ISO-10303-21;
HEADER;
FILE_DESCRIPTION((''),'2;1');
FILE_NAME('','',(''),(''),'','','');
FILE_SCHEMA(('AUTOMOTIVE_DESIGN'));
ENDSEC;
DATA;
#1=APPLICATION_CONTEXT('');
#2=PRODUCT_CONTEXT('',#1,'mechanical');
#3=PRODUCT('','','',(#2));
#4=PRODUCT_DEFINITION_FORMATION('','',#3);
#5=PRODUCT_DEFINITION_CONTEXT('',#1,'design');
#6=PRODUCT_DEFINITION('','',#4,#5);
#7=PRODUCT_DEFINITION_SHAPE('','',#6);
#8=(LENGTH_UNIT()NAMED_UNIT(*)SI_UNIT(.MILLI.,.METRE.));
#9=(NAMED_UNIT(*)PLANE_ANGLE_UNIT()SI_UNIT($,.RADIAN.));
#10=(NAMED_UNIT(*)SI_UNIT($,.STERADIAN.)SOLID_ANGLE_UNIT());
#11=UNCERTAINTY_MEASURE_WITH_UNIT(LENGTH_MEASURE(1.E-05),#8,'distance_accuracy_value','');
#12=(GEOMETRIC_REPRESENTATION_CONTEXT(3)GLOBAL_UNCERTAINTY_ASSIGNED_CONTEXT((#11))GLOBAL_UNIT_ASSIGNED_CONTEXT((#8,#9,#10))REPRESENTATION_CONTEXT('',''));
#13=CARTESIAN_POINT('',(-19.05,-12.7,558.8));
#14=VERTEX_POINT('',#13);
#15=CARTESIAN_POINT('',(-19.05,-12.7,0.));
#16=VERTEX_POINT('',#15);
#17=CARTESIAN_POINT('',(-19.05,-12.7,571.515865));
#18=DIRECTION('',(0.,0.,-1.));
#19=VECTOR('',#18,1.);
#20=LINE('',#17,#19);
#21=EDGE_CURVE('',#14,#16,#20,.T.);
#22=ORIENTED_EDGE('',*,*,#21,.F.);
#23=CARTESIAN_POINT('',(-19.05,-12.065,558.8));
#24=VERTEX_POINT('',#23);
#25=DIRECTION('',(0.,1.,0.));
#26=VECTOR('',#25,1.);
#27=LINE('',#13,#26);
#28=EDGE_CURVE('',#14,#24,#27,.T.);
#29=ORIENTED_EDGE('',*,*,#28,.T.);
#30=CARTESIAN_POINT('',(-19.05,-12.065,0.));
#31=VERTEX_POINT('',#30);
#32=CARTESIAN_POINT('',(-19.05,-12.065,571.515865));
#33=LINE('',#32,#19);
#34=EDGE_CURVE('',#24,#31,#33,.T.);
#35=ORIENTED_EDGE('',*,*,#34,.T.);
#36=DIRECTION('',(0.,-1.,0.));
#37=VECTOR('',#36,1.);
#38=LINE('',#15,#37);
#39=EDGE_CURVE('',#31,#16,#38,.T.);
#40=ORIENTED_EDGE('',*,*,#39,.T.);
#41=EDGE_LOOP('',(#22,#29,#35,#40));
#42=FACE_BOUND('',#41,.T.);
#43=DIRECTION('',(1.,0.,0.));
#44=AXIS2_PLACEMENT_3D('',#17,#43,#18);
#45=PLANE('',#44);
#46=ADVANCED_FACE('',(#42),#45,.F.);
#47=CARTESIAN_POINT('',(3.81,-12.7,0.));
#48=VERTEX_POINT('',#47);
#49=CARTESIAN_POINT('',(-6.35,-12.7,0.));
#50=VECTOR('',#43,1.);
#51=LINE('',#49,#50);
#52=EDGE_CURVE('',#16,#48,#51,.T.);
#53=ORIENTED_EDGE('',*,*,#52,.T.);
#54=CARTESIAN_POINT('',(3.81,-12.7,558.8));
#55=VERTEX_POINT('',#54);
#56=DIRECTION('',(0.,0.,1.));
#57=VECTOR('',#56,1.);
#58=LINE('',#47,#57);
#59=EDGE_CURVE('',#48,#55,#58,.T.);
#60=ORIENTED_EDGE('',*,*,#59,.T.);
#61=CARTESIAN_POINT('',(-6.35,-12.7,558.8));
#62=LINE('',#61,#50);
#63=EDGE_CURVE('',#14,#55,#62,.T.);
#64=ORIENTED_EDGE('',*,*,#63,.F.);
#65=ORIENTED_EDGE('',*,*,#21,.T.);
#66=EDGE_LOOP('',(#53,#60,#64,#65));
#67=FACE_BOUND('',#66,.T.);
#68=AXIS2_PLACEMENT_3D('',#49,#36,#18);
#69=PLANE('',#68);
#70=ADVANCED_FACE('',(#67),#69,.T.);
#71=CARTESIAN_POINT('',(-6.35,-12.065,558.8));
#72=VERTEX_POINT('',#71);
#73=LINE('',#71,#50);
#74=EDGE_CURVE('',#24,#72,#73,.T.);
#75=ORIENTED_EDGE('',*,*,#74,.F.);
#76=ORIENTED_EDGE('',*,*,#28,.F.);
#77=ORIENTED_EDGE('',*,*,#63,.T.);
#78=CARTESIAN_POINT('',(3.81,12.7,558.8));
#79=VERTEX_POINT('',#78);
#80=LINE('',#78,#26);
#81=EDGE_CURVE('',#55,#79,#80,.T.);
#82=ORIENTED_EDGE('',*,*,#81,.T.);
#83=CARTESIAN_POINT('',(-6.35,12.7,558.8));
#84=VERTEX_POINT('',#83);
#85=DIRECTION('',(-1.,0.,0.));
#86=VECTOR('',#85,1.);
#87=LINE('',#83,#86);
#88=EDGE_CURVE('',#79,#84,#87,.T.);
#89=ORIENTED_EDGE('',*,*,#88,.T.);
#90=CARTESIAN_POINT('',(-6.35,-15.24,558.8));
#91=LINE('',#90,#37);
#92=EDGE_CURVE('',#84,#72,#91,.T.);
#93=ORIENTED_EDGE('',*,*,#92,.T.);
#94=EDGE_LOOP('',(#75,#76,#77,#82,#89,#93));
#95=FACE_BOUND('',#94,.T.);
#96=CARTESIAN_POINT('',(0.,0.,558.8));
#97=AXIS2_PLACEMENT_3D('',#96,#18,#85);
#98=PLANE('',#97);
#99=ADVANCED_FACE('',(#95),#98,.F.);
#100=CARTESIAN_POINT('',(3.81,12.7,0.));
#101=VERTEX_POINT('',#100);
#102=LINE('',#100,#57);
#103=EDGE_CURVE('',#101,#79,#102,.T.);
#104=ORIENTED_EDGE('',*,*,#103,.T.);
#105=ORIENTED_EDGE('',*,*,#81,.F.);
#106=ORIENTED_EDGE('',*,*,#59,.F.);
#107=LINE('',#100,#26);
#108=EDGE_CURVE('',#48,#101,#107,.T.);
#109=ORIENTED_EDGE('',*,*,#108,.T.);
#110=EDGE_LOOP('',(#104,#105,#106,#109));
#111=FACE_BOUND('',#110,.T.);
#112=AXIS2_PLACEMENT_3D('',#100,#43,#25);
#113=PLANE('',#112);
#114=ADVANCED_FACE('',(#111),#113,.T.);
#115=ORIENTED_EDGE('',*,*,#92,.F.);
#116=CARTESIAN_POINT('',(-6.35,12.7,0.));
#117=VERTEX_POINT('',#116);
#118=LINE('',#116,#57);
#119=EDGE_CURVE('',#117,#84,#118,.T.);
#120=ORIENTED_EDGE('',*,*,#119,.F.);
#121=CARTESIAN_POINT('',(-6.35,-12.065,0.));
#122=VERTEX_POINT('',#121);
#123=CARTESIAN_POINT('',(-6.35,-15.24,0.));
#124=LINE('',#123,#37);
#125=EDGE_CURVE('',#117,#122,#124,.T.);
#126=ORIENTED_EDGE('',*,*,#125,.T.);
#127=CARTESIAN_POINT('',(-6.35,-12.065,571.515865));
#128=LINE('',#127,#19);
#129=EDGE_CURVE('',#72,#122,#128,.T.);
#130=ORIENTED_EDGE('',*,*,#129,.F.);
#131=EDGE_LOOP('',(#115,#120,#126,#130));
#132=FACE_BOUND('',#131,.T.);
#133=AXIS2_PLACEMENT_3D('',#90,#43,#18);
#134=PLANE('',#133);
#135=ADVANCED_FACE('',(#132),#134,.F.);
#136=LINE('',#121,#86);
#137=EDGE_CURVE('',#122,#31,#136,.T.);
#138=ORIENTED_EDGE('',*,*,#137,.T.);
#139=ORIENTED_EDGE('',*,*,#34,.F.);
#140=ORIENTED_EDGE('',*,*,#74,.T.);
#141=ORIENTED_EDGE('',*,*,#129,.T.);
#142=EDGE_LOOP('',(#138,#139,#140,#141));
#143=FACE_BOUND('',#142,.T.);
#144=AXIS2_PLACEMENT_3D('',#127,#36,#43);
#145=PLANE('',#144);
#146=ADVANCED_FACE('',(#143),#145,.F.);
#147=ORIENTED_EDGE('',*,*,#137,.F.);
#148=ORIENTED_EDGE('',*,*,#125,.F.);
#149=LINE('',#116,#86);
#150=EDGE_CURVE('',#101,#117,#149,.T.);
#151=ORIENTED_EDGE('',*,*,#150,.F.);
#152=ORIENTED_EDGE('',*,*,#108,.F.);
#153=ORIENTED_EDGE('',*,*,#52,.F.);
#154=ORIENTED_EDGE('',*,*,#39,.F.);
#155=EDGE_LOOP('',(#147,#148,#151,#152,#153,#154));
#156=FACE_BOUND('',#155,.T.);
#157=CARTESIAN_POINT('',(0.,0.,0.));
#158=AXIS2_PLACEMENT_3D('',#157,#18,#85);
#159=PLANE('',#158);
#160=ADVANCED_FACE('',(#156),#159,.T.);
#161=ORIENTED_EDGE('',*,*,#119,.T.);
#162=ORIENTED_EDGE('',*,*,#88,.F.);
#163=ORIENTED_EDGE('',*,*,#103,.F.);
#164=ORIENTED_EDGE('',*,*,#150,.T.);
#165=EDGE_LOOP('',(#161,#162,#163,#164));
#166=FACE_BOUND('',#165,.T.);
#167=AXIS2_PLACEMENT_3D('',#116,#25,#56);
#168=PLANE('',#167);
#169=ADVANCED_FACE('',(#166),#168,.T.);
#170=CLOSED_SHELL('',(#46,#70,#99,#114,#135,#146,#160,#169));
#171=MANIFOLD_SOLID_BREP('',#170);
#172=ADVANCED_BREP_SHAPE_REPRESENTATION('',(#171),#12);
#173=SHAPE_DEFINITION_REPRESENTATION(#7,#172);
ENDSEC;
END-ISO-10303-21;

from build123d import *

# Parameters (mm, degrees)
SKETCH1_W           = 12.7
SKETCH1_H           = 30.48
BOSS_EXTRUDE1_DEPTH = 558.8
SKETCH2_OUTSIDE_W   = 126.654
SKETCH2_OUTSIDE_H   = 144.434
SKETCH2_OUTSIDE_W_2 = 10.16
SKETCH2_OUTSIDE_H_2 = 25.4
CUT_EXTRUDE1_DEPTH  = 560.043844524
SKETCH3_W           = 12.7
SKETCH3_H           = 0.635
BOSS_EXTRUDE2_DEPTH = 558.8


with BuildPart() as part:
    # Sketch1 → Boss-Extrude1 (new body)
    with BuildSketch(Plane.XY):
        Rectangle(SKETCH1_W, SKETCH1_H)
    extrude(amount=BOSS_EXTRUDE1_DEPTH)

    # Sketch2 outside → Cut-Extrude1 (cut, through all)
    with BuildSketch(Plane.XY.offset(558.8)):
        Rectangle(SKETCH2_OUTSIDE_W, SKETCH2_OUTSIDE_H)
        with Locations((-1.27, 0)):
            Rectangle(SKETCH2_OUTSIDE_W_2, SKETCH2_OUTSIDE_H_2, mode=Mode.SUBTRACT)
    extrude(amount=-CUT_EXTRUDE1_DEPTH, mode=Mode.SUBTRACT)

    # Sketch3 → Boss-Extrude2 (add)
    with BuildSketch(Plane.XY):
        with Locations((-12.7, -12.3825)):
            Rectangle(SKETCH3_W, SKETCH3_H)
    extrude(amount=BOSS_EXTRUDE2_DEPTH)


solid = part.part
